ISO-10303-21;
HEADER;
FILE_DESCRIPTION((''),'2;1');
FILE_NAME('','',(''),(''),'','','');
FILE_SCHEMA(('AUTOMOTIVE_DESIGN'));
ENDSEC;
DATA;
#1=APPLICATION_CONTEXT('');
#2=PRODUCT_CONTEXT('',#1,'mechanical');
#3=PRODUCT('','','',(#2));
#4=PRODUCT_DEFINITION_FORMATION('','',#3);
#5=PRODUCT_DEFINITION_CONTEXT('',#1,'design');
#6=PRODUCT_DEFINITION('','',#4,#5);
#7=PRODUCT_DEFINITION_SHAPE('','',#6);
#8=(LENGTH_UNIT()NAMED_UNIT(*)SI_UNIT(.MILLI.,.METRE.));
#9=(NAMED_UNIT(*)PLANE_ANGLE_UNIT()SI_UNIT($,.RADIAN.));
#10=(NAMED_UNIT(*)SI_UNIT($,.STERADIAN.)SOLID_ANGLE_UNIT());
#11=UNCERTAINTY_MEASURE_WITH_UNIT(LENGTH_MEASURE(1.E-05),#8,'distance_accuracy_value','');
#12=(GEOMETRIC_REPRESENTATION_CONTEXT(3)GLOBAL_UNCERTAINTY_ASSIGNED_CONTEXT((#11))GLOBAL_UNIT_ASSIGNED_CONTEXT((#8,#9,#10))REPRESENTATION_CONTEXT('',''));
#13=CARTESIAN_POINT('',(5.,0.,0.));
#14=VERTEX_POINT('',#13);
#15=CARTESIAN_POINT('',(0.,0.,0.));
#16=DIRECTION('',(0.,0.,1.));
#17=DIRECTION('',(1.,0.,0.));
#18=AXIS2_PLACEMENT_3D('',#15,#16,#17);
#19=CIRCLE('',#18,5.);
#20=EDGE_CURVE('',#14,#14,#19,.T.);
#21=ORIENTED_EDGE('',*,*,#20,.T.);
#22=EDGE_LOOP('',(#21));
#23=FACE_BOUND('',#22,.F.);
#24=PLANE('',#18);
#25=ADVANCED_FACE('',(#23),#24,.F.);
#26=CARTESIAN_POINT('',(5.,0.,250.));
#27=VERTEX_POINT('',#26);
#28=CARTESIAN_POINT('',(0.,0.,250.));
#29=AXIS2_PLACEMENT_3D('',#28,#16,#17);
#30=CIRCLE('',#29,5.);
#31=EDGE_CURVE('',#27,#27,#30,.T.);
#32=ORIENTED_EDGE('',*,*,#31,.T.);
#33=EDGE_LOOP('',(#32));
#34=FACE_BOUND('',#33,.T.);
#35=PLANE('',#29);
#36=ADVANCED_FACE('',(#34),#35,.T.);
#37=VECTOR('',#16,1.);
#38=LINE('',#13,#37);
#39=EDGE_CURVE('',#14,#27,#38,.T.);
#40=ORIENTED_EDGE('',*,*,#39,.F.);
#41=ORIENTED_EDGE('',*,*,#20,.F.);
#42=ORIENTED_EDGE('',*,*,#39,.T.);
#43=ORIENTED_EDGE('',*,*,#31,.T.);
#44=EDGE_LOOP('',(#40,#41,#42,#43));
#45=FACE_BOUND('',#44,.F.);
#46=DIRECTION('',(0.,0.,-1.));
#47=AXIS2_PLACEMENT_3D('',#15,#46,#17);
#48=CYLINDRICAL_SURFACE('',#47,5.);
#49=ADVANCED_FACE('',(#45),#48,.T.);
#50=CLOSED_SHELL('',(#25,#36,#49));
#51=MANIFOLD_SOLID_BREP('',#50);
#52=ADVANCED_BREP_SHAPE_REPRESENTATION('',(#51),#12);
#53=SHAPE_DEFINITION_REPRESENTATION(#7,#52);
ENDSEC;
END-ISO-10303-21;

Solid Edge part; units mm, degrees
sketch "Sketch1" plane through (0, 0, 0) normal (0, 0, 1) x (1, 0, 0)
  circle A0 centre (0, 0) radius 5
extrude "Protrusion1" add sketch "Sketch1" along normal blind 250
